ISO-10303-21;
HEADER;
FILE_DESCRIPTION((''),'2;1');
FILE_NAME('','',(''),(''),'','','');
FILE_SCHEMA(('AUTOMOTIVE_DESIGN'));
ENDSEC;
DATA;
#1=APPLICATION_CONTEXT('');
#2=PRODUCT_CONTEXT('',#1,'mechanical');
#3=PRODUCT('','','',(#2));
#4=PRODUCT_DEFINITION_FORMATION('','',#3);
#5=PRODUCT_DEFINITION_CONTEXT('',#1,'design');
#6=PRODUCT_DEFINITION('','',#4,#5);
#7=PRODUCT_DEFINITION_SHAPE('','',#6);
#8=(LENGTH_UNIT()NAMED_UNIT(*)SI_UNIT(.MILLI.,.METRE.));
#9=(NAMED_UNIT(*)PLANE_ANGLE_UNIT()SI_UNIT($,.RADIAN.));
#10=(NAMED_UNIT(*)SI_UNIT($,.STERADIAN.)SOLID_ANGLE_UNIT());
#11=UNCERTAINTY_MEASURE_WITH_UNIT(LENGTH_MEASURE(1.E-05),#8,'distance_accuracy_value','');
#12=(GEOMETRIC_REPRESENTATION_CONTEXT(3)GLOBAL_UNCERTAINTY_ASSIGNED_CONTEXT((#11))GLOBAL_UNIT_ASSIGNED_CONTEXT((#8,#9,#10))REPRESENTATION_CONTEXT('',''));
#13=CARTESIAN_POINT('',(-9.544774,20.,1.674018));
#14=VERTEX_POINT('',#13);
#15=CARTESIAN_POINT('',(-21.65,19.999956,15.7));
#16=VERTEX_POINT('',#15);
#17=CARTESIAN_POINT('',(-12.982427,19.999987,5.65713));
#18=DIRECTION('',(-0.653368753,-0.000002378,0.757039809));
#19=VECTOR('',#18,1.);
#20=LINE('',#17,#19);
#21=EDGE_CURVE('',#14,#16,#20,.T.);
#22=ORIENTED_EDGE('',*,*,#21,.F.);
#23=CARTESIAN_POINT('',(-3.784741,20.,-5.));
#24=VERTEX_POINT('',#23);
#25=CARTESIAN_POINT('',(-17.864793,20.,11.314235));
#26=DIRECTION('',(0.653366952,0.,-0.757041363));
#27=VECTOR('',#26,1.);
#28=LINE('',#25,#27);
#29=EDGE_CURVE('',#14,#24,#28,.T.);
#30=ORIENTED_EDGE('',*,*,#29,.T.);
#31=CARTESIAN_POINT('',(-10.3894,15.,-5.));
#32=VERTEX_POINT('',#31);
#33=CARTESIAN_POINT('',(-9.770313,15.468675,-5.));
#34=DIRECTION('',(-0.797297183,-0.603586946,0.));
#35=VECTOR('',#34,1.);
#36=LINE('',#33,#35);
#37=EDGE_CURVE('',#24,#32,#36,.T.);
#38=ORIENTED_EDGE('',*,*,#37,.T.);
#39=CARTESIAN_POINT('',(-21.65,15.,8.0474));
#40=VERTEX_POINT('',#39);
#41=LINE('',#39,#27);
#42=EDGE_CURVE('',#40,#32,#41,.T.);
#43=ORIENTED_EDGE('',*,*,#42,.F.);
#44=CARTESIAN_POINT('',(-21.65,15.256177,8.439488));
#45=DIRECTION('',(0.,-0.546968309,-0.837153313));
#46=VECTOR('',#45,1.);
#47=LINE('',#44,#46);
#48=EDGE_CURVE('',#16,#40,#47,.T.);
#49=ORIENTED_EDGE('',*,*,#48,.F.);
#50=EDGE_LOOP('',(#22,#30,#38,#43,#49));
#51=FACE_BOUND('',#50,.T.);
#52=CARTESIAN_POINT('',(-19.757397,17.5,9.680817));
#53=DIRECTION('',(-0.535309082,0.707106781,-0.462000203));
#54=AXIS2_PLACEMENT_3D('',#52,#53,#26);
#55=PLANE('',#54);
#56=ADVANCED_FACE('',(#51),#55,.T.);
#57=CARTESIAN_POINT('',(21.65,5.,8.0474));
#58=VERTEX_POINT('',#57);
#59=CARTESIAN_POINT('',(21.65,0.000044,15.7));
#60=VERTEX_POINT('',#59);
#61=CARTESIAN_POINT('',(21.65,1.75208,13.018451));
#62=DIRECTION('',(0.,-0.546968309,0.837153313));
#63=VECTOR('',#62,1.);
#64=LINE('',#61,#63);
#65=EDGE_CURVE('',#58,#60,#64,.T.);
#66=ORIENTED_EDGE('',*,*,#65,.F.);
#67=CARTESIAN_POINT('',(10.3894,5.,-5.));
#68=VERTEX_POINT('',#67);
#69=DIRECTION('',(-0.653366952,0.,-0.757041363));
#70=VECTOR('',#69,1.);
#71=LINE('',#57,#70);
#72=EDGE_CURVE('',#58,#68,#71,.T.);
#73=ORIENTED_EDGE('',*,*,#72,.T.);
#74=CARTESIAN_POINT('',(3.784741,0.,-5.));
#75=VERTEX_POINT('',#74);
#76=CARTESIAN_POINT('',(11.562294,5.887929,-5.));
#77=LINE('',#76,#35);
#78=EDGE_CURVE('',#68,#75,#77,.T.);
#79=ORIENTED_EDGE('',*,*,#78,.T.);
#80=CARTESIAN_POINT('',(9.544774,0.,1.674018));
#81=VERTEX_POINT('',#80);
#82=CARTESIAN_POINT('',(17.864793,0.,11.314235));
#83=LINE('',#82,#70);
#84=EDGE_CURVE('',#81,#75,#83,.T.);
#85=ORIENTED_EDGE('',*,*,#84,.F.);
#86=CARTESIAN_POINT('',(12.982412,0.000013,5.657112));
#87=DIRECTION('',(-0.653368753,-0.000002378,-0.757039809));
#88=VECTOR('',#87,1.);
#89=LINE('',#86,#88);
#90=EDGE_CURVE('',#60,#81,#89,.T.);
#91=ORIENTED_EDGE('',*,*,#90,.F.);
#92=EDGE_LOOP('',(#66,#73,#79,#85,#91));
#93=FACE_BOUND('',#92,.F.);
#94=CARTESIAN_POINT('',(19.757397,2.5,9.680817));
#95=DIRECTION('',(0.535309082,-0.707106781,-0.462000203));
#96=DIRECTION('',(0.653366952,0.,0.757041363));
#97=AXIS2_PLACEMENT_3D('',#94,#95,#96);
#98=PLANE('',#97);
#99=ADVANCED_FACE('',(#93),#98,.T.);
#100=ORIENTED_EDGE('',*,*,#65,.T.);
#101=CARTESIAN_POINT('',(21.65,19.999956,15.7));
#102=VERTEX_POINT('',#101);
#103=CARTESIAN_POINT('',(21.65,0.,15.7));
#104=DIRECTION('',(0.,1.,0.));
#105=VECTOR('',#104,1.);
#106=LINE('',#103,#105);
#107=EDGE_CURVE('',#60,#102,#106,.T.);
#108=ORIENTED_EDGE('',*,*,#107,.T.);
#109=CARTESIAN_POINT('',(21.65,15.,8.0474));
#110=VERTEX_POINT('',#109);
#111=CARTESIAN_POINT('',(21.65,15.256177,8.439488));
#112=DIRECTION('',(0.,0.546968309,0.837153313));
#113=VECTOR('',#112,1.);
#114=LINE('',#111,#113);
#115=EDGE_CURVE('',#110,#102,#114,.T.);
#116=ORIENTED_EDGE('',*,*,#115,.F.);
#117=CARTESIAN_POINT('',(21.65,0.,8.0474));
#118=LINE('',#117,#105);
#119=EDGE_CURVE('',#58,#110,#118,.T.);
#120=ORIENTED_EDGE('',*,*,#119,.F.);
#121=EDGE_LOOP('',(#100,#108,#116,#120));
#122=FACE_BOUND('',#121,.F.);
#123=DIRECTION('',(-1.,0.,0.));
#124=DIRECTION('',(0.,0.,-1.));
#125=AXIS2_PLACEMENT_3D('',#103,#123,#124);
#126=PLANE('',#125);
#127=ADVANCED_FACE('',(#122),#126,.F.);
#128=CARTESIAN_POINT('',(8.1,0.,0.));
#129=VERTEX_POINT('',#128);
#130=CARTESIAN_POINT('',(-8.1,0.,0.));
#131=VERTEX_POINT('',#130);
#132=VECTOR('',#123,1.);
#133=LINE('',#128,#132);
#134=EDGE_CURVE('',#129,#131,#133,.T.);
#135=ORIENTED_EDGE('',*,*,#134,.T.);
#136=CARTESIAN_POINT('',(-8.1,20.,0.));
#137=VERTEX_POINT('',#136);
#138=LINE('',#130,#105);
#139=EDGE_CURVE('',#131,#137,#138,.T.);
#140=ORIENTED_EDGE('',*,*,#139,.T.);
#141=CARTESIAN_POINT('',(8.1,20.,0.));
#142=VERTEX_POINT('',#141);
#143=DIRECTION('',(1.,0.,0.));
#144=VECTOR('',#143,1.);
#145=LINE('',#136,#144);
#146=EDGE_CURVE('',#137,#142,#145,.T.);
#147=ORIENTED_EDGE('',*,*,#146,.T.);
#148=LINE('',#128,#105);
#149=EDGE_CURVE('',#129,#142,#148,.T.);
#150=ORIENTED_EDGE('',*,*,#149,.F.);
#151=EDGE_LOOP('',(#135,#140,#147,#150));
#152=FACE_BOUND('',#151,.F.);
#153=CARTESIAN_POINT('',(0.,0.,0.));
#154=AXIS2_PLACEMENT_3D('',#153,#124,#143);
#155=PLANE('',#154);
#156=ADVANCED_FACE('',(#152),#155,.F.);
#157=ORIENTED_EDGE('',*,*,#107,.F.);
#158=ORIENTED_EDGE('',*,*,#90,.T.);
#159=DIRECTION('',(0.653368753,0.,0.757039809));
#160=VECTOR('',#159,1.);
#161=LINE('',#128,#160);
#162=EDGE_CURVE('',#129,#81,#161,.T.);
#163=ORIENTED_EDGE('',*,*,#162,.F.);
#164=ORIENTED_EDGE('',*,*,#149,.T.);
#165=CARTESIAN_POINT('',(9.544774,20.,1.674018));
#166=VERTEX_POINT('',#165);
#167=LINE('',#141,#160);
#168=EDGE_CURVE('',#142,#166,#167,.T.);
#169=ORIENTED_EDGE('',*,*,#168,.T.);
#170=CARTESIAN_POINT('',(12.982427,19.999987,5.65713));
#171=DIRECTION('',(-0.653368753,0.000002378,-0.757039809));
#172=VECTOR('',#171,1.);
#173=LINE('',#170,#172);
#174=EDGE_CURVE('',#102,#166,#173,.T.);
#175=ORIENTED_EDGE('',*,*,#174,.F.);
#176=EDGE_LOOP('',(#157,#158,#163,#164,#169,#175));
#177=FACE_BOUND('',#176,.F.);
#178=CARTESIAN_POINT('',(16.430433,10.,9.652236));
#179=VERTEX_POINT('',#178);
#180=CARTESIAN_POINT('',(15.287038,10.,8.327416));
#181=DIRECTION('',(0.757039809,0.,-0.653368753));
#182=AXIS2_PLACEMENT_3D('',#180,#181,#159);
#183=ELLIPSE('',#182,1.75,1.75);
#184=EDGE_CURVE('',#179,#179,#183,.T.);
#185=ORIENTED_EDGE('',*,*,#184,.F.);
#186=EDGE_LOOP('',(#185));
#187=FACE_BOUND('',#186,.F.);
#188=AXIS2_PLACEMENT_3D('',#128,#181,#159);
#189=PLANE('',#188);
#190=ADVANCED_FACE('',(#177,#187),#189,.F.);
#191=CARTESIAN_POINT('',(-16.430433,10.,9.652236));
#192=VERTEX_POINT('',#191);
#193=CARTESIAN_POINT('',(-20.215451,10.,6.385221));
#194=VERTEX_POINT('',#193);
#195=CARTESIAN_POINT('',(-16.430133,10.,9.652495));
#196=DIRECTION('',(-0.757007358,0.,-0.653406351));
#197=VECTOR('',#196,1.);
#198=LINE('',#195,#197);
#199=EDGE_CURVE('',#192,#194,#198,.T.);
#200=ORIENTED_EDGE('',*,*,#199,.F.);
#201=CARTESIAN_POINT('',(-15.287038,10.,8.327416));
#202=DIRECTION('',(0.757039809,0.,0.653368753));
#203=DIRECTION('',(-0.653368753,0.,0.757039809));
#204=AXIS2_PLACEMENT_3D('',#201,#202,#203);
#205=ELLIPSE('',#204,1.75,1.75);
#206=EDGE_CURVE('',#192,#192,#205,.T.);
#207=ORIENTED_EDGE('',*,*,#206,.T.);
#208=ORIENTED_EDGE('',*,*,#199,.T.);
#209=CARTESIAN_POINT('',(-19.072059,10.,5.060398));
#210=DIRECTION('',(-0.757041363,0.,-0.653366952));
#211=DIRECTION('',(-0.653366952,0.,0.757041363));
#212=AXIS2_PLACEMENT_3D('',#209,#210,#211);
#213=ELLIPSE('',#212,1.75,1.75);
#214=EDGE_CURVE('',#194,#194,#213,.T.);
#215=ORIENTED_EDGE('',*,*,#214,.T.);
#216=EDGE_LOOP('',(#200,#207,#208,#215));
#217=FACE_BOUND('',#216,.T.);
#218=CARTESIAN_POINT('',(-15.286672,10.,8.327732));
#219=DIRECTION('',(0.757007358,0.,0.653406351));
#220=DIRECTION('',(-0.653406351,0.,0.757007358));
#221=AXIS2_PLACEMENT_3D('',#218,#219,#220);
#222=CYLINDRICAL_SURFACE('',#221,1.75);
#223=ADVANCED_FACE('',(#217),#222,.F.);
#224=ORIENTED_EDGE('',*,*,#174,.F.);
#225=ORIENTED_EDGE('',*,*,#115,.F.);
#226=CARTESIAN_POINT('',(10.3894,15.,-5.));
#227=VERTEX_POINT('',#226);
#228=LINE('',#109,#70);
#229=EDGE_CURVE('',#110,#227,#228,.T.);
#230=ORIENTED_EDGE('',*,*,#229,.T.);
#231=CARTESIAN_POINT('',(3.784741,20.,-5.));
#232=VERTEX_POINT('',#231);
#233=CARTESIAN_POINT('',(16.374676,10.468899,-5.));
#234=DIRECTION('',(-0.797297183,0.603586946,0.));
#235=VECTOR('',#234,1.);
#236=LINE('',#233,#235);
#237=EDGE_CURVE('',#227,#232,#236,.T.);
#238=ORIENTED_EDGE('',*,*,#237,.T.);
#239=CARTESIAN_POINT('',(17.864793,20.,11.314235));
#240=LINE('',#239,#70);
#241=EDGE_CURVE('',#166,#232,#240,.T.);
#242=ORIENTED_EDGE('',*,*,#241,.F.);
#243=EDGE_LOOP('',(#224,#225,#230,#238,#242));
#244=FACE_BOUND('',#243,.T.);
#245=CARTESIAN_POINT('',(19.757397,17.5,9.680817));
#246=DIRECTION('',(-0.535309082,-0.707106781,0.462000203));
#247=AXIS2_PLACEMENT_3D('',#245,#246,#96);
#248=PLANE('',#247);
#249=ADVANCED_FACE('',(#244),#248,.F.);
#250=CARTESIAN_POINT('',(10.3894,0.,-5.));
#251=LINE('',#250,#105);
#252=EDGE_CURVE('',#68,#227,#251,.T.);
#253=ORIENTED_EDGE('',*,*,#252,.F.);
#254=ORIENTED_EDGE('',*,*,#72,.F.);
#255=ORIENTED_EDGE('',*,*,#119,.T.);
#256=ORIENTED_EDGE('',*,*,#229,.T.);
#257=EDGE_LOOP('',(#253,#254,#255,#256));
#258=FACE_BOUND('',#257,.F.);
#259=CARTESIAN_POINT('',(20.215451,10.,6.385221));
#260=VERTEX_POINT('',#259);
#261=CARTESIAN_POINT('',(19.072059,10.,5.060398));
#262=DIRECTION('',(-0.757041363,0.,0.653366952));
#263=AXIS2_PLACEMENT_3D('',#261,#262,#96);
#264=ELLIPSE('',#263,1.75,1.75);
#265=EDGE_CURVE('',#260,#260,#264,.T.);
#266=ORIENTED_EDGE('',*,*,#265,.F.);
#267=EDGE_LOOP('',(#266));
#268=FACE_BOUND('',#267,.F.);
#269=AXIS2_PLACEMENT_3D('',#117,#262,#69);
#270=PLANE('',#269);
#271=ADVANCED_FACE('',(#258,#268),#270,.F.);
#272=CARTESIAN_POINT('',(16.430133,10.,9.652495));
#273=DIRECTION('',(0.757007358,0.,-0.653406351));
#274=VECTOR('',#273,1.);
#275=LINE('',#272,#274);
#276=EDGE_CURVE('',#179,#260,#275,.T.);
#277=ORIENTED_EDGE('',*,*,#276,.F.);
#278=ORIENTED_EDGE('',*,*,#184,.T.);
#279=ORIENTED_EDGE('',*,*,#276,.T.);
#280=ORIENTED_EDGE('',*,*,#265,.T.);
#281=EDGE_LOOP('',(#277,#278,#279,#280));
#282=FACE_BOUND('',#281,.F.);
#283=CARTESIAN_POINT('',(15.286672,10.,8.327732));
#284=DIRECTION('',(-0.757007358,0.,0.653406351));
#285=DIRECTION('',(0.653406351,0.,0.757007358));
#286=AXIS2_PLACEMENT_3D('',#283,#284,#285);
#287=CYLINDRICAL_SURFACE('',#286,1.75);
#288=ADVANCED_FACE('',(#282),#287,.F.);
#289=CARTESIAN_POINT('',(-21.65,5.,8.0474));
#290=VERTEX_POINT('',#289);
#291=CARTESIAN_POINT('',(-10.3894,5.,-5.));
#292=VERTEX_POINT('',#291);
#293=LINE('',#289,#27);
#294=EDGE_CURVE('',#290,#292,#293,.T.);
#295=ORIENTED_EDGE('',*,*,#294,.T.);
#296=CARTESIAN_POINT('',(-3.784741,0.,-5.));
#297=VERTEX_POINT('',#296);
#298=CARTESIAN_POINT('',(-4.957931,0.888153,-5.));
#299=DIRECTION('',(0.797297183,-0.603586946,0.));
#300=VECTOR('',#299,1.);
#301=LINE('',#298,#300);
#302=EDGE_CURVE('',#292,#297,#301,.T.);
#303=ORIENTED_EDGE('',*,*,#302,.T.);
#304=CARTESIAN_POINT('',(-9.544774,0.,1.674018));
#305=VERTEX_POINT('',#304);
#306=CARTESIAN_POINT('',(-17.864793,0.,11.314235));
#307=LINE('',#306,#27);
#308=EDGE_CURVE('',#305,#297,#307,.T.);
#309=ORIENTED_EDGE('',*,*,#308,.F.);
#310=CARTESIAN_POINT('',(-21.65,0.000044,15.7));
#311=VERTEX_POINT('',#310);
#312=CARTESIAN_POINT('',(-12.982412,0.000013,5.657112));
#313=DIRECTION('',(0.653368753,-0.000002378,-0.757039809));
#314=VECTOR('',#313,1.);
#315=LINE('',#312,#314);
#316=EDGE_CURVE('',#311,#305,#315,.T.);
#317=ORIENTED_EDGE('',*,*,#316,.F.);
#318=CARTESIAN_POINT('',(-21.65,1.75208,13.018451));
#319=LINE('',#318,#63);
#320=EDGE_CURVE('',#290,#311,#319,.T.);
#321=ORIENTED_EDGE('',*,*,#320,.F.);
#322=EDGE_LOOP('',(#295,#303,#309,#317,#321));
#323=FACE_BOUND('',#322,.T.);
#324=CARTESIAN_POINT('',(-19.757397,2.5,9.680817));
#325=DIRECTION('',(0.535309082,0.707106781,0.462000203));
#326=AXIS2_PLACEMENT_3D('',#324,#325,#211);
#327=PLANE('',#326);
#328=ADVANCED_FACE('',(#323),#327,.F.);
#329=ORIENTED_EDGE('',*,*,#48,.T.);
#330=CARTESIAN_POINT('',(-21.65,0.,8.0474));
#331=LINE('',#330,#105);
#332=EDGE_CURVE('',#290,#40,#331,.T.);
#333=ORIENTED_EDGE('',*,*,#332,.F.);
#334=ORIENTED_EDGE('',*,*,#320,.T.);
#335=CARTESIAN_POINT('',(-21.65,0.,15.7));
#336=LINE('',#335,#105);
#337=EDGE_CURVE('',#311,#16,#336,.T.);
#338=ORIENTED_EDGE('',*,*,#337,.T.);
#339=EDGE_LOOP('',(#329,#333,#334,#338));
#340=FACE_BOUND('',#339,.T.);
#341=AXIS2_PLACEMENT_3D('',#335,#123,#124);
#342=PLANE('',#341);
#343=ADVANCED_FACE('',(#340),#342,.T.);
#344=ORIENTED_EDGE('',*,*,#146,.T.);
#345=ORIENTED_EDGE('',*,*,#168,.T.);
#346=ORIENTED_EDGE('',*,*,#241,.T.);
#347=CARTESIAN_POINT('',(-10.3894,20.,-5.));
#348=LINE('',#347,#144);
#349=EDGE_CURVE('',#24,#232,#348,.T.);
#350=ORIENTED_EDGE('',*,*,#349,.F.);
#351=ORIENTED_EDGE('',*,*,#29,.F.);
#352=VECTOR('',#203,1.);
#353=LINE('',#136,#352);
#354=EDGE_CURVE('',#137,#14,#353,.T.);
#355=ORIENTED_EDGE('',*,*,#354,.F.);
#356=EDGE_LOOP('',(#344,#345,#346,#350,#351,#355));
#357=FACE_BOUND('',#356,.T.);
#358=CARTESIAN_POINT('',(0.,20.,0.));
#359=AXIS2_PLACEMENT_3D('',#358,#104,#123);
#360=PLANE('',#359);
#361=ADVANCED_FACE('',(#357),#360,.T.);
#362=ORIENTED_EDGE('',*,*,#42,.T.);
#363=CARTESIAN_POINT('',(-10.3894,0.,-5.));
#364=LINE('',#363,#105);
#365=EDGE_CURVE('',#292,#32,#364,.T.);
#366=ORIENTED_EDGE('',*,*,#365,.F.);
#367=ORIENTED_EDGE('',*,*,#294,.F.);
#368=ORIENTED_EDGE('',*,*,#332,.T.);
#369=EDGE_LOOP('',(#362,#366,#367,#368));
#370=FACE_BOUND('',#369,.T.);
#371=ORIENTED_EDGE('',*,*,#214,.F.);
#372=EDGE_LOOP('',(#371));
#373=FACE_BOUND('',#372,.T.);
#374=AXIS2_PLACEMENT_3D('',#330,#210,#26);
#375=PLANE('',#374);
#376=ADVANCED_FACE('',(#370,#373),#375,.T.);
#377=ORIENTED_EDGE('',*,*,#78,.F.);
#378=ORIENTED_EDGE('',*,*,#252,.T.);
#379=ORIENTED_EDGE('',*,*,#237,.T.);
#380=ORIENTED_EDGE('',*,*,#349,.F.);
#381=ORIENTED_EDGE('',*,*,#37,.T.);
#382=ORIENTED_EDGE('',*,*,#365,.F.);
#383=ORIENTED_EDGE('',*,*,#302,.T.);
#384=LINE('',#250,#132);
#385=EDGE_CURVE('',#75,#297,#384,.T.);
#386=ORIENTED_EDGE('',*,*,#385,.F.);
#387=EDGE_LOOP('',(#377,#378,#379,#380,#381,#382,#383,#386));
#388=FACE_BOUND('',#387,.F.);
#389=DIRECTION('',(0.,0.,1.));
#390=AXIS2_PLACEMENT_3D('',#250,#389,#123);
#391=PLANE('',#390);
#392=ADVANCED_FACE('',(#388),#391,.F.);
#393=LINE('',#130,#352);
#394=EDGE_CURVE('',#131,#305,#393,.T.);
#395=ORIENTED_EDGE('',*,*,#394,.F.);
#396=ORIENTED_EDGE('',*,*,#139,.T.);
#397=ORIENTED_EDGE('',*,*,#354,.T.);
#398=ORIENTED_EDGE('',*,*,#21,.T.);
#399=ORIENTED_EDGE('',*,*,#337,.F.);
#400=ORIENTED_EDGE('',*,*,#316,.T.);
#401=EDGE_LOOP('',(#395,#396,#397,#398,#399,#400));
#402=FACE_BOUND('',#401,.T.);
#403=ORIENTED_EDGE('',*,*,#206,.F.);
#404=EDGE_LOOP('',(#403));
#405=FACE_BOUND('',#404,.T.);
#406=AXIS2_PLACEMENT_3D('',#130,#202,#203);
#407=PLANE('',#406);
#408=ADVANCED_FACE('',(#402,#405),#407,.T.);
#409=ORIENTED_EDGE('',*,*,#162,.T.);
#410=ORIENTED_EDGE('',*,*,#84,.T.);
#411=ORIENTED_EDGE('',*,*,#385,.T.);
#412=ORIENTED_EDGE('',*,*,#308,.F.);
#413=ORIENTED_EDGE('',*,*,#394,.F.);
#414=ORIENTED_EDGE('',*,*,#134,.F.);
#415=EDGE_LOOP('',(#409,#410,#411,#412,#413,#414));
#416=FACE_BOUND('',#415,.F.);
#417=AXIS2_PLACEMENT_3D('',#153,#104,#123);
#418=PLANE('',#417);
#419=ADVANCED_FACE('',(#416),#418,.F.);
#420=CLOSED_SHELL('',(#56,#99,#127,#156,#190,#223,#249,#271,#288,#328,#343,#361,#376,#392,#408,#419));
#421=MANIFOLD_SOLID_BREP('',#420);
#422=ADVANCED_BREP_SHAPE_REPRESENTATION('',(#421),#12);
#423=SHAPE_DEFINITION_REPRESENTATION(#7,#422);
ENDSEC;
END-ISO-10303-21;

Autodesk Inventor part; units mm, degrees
ref_plane "YZ Plane" through (0, 0, 0) normal (1, 0, 0) x (0, 1, 0)
ref_plane "XZ Plane" through (0, 0, 0) normal (0, 1, 0) x (-1, 0, 0)
ref_plane "XY Plane" through (0, 0, 0) normal (0, 0, 1) x (1, 0, 0)
sketch "스케치1" plane through (0, 0, 0) normal (0, 1, 0) x (-1, 0, 0)
  line L0 (0, 0) -> (-8.1, 0)
  line L1 (-8.1, 0) -> (-21.65, 15.7)
  line L2 (-21.65, 15.7) -> (-21.65, 8.0474)
  line L3 (-21.65, 8.0474) -> (-10.3894, -5)
  line L4 (-10.3894, -5) -> (0, -5)
  line L5 (0, -5) -> (0, 0)
  line L6 (0, 0) -> (8.1, 0)
  line L7 (8.1, 0) -> (21.65, 15.7)
  line L8 (21.65, 15.7) -> (21.65, 8.0474)
  line L9 (21.65, 8.0474) -> (10.3894, -5)
  line L10 (10.3894, -5) -> (0, -5)
  dimension "d0" = 15.7
  dimension "d1" = 43.3
  dimension "d2" = 16.2
  dimension "d3" = 5
  dimension "d4" = 5
extrude "돌출1" add sketch "스케치1" along normal blind 20
sketch "스케치2" plane through (21.65, 0, 15.7) normal (-0.757, 0, 0.6534) x (0.6534, 0, 0.757)
  line L0 (-20.7387, 20) -> (0, 20) projected
  line L1 (-9.7387, 20) -> (-9.7387, 0)
  line L2 (-20.7387, 0) -> (0, 0) projected
  line L3 (0, 0) -> (0, 20) projected
  line L4 (-20.7387, 0) -> (-20.7387, 20) projected
  circle A0 centre (-9.7387, 10) radius 1.75
  point P0 (-26.031, 0)
  dimension "d8" = 11
  dimension "d9" = 3.5
  dimension "d10" = 10
  dimension "d11" = 11
extrude "돌출2" cut sketch "스케치2" against normal through all contours A0 L1 | L1 A0
mirror "미러1" about plane through (0, 0, 0) normal (1, 0, 0) of "돌출2"
chamfer "모따기1" distance 5 angle 45 4 edges at (16.0197, 20, 1.5237) (-16.0197, 20, 1.5237) (16.0197, 0, 1.5237) (-16.0197, 0, 1.5237)
properties part number "sun3" material "티타늄"
